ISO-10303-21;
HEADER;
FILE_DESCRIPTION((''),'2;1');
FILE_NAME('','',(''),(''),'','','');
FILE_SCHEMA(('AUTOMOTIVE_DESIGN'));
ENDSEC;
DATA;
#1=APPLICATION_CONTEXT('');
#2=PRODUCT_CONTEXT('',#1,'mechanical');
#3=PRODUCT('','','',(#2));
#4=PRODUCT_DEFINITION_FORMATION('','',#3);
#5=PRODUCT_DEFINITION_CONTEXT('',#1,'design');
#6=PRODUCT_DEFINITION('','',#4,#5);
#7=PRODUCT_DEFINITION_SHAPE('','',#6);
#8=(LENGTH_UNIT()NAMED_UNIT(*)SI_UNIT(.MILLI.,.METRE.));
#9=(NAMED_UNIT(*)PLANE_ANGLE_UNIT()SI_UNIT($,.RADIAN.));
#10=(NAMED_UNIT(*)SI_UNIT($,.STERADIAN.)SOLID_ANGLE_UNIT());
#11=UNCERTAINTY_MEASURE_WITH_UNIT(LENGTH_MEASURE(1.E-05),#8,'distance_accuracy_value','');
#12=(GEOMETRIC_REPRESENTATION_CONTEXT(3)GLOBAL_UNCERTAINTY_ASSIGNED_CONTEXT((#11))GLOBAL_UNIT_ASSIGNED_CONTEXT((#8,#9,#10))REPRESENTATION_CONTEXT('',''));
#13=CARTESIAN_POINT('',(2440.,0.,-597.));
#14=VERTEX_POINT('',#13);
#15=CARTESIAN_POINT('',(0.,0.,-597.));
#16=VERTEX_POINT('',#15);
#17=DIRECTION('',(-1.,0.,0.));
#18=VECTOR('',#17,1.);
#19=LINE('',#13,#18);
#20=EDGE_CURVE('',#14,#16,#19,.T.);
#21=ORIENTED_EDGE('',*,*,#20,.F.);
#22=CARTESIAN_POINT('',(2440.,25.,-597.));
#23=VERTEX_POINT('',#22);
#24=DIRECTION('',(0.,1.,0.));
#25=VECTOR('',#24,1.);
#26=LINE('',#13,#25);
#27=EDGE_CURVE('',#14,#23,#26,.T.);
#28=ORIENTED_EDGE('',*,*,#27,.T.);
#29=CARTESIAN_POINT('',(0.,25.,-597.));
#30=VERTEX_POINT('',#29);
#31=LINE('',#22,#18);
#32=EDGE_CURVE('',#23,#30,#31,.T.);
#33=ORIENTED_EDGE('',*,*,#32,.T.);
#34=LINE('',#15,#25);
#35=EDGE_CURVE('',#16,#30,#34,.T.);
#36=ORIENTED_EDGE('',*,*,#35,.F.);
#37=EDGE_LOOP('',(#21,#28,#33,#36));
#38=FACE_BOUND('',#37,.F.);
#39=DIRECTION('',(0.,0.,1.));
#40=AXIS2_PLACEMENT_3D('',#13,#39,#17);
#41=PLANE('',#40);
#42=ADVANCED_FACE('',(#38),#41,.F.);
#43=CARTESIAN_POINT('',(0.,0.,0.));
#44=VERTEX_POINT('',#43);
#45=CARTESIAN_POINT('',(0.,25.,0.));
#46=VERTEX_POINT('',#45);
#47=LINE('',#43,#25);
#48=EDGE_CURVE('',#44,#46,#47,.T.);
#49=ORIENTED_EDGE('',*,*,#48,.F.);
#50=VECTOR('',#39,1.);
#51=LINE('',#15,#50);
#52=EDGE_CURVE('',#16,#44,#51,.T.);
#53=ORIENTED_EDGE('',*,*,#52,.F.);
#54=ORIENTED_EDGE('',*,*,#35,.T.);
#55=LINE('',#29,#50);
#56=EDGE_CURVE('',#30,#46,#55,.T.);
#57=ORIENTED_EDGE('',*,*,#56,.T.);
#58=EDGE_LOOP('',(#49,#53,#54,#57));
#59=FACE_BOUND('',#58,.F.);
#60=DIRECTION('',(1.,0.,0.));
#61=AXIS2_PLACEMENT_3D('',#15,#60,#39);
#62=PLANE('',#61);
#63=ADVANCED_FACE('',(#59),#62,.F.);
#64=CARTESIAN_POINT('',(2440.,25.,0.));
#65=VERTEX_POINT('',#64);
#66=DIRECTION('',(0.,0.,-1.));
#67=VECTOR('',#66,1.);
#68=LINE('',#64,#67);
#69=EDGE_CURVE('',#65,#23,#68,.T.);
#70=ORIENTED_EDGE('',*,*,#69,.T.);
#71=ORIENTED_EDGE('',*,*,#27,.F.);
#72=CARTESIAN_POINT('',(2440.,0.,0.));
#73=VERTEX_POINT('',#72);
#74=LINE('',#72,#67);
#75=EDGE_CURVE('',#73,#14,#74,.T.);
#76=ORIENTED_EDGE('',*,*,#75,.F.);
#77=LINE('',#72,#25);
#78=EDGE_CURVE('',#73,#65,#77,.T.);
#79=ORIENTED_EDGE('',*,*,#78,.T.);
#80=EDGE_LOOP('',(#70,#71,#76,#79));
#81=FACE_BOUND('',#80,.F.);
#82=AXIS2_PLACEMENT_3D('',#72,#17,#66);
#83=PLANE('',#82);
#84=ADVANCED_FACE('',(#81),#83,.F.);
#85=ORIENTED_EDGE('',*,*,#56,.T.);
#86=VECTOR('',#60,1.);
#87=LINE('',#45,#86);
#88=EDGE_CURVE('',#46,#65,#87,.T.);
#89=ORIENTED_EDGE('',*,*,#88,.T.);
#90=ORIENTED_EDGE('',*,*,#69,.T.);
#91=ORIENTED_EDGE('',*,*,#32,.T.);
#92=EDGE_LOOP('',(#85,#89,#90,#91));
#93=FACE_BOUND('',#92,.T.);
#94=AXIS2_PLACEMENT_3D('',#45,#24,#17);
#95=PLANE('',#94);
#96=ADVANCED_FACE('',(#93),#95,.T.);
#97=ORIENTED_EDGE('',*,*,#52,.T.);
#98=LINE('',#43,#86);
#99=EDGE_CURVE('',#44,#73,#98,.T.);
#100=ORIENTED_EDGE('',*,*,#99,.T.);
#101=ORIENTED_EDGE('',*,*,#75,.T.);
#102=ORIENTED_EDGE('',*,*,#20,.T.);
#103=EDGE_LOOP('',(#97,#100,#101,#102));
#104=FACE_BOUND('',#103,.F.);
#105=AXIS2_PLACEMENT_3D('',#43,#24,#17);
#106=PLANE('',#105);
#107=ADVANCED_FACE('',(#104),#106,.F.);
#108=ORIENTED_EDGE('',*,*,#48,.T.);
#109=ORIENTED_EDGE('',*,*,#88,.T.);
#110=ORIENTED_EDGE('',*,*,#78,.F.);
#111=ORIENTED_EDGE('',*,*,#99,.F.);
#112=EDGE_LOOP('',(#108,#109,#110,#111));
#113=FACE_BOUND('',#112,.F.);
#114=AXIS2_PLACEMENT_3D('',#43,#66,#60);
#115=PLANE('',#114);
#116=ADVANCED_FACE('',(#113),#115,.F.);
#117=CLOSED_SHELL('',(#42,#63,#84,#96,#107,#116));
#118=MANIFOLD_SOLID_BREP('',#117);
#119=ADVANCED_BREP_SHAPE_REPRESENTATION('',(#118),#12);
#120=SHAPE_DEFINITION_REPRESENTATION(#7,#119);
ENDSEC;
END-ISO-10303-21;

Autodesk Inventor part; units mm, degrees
ref_plane "YZ Plane" through (0, 0, 0) normal (1, 0, 0) x (0, 1, 0)
ref_plane "XZ Plane" through (0, 0, 0) normal (0, 1, 0) x (-1, 0, 0)
ref_plane "XY Plane" through (0, 0, 0) normal (0, 0, 1) x (1, 0, 0)
sketch "Boceto1" plane through (0, 0, 0) normal (0, 1, 0) x (-1, 0, 0)
  line L0 (0, 0) -> (-2440, 0)
  line L1 (-2440, 0) -> (-2440, -597)
  line L2 (-2440, -597) -> (0, -597)
  line L3 (0, -597) -> (0, 0)
  dimension "d0" = 2440
  dimension "d1" = 597
extrude "Extrusión1" add sketch "Boceto1" along normal blind 25
properties part number "Tabla Grande 1"
